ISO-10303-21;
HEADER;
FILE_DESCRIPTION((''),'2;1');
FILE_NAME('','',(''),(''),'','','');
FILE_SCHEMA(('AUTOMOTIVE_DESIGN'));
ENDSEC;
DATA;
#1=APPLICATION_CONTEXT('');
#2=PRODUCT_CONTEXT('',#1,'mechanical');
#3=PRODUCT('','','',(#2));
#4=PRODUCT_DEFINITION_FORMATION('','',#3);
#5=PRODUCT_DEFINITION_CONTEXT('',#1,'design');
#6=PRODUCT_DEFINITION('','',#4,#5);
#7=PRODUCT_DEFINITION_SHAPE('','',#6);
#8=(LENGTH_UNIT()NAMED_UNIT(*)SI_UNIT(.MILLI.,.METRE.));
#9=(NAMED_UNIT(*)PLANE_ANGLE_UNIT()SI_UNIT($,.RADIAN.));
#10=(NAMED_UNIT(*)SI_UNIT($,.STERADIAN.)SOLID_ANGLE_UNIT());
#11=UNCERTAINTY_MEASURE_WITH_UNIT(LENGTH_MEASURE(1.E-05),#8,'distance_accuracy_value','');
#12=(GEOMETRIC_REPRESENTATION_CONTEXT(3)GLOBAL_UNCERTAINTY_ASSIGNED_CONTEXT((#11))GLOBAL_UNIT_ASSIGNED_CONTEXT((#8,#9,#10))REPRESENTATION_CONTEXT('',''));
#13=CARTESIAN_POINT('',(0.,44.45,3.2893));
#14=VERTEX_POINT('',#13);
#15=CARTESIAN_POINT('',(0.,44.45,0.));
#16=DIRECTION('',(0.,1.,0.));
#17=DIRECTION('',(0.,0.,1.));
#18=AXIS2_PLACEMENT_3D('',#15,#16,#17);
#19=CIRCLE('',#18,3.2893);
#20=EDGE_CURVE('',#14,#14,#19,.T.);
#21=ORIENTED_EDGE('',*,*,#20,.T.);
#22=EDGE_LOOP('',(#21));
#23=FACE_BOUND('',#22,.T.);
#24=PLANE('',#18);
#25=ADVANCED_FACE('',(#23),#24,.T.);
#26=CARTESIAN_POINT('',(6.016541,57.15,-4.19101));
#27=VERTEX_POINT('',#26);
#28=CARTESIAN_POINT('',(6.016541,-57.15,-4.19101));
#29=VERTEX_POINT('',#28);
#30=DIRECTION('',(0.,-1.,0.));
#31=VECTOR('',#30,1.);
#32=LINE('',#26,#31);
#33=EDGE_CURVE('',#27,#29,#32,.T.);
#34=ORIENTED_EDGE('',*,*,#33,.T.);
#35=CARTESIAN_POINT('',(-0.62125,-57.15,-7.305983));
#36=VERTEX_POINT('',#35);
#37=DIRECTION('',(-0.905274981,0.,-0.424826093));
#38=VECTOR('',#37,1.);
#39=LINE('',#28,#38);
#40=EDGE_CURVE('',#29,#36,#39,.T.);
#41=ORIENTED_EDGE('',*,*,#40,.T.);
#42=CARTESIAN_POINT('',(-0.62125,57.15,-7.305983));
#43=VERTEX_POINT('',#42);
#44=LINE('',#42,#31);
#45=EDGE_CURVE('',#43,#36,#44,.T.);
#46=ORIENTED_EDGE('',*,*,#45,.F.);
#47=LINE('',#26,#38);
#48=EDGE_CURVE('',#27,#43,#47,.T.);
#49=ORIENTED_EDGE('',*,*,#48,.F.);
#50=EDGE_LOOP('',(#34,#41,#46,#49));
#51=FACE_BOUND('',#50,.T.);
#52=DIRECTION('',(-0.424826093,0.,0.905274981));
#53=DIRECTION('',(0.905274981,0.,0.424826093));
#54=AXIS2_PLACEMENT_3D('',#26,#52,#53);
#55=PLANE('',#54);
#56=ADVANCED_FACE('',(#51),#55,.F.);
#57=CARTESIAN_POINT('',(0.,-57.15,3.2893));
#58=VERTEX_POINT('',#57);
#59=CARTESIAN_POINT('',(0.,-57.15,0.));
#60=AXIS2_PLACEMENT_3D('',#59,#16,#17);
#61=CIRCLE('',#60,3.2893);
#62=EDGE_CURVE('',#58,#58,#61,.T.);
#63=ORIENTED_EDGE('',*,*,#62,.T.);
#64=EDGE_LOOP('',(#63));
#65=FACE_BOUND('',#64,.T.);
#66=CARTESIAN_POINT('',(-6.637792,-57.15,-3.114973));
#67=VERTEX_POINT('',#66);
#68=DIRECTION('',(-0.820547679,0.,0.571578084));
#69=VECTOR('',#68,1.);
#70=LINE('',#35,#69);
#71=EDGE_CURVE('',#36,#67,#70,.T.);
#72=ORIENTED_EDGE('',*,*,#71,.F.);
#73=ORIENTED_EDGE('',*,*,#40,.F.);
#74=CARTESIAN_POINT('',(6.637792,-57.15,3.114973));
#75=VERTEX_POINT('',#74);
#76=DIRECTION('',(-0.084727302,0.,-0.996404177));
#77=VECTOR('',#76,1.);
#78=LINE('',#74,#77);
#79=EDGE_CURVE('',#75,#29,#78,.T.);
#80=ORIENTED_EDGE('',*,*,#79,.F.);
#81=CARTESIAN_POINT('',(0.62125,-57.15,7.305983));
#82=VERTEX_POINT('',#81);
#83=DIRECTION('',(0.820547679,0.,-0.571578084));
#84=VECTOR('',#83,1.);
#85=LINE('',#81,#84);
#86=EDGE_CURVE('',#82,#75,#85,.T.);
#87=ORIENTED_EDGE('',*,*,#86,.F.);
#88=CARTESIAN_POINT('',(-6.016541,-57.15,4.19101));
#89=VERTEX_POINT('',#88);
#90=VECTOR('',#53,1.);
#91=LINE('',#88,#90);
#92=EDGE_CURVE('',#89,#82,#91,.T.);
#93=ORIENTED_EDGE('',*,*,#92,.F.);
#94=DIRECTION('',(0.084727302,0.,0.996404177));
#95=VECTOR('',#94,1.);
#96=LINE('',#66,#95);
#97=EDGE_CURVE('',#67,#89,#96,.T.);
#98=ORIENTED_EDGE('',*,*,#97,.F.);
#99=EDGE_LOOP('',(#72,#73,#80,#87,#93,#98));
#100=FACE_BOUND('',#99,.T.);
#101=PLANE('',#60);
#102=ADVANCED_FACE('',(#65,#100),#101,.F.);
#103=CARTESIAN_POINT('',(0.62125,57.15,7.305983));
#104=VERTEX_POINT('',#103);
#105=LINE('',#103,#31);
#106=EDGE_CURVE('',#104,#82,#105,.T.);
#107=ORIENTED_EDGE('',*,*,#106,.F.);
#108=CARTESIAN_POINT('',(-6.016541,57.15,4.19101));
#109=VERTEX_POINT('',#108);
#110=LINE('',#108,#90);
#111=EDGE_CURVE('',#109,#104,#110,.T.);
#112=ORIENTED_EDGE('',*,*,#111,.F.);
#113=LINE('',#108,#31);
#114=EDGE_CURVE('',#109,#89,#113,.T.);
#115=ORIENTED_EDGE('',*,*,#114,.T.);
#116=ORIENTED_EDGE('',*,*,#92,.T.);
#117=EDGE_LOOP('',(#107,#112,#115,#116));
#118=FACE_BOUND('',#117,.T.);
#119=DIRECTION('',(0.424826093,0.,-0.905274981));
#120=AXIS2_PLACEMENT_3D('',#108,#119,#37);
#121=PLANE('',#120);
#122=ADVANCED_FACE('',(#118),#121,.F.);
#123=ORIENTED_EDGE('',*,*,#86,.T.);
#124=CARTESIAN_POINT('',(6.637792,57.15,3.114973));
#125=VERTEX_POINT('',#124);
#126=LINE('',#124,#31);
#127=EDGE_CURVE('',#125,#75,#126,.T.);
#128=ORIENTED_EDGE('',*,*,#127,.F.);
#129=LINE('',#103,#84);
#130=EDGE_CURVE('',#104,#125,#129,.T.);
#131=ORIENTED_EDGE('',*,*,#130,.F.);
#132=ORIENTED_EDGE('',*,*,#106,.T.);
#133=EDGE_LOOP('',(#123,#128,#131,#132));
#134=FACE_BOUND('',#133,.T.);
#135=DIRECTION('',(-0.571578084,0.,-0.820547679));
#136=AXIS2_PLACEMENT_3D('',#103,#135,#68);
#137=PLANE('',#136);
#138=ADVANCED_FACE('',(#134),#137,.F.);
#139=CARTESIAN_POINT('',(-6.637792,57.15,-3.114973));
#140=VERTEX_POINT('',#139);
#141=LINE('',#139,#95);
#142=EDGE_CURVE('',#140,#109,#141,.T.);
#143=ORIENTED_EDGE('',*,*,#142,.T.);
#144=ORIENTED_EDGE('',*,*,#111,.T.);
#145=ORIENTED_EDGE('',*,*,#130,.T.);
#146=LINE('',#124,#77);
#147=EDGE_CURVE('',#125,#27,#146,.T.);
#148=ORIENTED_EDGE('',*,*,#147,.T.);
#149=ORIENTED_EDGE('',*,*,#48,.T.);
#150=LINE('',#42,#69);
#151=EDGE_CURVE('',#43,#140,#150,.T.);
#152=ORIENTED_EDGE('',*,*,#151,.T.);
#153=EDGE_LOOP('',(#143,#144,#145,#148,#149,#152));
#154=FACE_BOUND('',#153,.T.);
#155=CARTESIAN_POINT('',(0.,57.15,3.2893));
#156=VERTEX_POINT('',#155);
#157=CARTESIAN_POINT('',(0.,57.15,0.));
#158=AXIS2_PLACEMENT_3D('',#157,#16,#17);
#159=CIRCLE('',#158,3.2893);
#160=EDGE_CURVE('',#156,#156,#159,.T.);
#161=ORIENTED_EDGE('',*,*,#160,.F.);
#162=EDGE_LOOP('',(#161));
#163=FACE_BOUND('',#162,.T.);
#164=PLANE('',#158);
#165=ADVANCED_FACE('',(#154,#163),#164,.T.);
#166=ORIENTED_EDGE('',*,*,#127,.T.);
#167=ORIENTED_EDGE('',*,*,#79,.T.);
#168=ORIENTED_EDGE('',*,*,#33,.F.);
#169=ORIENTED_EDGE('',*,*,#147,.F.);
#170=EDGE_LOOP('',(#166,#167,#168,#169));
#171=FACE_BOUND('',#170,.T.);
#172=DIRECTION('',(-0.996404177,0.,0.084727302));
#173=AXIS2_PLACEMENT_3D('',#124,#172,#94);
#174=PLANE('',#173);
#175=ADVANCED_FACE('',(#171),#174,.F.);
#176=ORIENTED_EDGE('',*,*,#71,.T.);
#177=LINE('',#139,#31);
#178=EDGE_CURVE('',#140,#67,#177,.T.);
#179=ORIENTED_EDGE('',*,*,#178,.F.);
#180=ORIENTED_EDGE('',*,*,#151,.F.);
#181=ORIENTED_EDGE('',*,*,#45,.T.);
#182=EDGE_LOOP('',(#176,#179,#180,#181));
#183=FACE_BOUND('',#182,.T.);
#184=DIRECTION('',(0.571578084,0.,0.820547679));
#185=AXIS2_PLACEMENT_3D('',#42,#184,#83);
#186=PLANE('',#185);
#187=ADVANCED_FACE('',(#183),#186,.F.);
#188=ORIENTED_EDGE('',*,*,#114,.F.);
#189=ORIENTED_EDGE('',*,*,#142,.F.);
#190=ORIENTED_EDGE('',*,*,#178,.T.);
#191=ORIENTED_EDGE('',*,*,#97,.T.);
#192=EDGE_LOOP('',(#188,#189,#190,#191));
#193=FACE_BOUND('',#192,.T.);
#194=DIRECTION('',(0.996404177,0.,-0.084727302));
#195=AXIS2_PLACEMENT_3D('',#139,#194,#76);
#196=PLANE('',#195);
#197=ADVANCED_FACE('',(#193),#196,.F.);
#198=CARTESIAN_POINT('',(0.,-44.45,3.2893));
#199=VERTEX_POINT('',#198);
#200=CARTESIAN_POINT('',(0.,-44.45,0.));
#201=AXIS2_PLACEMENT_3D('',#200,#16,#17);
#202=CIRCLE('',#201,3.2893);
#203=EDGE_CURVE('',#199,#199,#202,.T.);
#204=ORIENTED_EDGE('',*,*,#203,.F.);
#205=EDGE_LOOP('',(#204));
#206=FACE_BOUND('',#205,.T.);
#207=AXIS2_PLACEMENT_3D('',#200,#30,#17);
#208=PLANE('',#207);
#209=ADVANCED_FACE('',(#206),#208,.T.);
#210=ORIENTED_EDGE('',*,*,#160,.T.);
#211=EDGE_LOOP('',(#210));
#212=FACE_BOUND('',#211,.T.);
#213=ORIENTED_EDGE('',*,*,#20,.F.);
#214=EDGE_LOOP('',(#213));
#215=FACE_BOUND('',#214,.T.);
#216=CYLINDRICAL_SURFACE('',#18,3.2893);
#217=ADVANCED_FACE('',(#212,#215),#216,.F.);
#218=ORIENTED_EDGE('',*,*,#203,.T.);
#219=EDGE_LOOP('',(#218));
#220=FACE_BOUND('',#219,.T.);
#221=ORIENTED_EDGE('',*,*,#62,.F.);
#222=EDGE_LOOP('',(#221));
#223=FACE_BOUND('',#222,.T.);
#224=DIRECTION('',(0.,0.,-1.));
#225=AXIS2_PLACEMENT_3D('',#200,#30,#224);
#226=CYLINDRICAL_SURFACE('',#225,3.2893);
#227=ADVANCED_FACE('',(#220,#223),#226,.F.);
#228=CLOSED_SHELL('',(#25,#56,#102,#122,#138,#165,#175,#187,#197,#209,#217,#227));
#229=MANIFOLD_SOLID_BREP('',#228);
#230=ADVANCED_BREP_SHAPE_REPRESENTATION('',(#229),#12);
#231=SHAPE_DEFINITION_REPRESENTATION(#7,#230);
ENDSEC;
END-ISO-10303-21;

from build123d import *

# Parameters (mm, degrees)
BOSS_EXTRUDE1_DEPTH = 57.15
SKETCH2_R           = 3.2893
CUT_EXTRUDE1_DEPTH  = 12.7


with BuildPart() as part:
    # Sketch1 → Boss-Extrude1 (new body, symmetric)
    with BuildSketch(Plane(origin=(0, 0, 0), x_dir=(1, 0, 0), z_dir=(0, 1, 0))):
        Polygon((6.016541477, 4.191009662), (-0.621250096, 7.305982593), (-6.637791573, 3.114972932), (-6.016541477, -4.191009662), (0.621250096, -7.305982593), (6.637791573, -3.114972932), align=None)
    extrude(amount=BOSS_EXTRUDE1_DEPTH, both=True)

    # Sketch2 → Cut-Extrude1 (cut)
    with BuildSketch(Plane(origin=(0, 57.15, 0), x_dir=(1, 0, 0), z_dir=(0, 1, 0))):
        Circle(SKETCH2_R)
    cut_extrude1 = extrude(amount=-CUT_EXTRUDE1_DEPTH, mode=Mode.SUBTRACT)

    # Mirror1: Cut-Extrude1 across plane
    add(cut_extrude1.mirror(Plane.ZX), mode=Mode.SUBTRACT)


solid = part.part
